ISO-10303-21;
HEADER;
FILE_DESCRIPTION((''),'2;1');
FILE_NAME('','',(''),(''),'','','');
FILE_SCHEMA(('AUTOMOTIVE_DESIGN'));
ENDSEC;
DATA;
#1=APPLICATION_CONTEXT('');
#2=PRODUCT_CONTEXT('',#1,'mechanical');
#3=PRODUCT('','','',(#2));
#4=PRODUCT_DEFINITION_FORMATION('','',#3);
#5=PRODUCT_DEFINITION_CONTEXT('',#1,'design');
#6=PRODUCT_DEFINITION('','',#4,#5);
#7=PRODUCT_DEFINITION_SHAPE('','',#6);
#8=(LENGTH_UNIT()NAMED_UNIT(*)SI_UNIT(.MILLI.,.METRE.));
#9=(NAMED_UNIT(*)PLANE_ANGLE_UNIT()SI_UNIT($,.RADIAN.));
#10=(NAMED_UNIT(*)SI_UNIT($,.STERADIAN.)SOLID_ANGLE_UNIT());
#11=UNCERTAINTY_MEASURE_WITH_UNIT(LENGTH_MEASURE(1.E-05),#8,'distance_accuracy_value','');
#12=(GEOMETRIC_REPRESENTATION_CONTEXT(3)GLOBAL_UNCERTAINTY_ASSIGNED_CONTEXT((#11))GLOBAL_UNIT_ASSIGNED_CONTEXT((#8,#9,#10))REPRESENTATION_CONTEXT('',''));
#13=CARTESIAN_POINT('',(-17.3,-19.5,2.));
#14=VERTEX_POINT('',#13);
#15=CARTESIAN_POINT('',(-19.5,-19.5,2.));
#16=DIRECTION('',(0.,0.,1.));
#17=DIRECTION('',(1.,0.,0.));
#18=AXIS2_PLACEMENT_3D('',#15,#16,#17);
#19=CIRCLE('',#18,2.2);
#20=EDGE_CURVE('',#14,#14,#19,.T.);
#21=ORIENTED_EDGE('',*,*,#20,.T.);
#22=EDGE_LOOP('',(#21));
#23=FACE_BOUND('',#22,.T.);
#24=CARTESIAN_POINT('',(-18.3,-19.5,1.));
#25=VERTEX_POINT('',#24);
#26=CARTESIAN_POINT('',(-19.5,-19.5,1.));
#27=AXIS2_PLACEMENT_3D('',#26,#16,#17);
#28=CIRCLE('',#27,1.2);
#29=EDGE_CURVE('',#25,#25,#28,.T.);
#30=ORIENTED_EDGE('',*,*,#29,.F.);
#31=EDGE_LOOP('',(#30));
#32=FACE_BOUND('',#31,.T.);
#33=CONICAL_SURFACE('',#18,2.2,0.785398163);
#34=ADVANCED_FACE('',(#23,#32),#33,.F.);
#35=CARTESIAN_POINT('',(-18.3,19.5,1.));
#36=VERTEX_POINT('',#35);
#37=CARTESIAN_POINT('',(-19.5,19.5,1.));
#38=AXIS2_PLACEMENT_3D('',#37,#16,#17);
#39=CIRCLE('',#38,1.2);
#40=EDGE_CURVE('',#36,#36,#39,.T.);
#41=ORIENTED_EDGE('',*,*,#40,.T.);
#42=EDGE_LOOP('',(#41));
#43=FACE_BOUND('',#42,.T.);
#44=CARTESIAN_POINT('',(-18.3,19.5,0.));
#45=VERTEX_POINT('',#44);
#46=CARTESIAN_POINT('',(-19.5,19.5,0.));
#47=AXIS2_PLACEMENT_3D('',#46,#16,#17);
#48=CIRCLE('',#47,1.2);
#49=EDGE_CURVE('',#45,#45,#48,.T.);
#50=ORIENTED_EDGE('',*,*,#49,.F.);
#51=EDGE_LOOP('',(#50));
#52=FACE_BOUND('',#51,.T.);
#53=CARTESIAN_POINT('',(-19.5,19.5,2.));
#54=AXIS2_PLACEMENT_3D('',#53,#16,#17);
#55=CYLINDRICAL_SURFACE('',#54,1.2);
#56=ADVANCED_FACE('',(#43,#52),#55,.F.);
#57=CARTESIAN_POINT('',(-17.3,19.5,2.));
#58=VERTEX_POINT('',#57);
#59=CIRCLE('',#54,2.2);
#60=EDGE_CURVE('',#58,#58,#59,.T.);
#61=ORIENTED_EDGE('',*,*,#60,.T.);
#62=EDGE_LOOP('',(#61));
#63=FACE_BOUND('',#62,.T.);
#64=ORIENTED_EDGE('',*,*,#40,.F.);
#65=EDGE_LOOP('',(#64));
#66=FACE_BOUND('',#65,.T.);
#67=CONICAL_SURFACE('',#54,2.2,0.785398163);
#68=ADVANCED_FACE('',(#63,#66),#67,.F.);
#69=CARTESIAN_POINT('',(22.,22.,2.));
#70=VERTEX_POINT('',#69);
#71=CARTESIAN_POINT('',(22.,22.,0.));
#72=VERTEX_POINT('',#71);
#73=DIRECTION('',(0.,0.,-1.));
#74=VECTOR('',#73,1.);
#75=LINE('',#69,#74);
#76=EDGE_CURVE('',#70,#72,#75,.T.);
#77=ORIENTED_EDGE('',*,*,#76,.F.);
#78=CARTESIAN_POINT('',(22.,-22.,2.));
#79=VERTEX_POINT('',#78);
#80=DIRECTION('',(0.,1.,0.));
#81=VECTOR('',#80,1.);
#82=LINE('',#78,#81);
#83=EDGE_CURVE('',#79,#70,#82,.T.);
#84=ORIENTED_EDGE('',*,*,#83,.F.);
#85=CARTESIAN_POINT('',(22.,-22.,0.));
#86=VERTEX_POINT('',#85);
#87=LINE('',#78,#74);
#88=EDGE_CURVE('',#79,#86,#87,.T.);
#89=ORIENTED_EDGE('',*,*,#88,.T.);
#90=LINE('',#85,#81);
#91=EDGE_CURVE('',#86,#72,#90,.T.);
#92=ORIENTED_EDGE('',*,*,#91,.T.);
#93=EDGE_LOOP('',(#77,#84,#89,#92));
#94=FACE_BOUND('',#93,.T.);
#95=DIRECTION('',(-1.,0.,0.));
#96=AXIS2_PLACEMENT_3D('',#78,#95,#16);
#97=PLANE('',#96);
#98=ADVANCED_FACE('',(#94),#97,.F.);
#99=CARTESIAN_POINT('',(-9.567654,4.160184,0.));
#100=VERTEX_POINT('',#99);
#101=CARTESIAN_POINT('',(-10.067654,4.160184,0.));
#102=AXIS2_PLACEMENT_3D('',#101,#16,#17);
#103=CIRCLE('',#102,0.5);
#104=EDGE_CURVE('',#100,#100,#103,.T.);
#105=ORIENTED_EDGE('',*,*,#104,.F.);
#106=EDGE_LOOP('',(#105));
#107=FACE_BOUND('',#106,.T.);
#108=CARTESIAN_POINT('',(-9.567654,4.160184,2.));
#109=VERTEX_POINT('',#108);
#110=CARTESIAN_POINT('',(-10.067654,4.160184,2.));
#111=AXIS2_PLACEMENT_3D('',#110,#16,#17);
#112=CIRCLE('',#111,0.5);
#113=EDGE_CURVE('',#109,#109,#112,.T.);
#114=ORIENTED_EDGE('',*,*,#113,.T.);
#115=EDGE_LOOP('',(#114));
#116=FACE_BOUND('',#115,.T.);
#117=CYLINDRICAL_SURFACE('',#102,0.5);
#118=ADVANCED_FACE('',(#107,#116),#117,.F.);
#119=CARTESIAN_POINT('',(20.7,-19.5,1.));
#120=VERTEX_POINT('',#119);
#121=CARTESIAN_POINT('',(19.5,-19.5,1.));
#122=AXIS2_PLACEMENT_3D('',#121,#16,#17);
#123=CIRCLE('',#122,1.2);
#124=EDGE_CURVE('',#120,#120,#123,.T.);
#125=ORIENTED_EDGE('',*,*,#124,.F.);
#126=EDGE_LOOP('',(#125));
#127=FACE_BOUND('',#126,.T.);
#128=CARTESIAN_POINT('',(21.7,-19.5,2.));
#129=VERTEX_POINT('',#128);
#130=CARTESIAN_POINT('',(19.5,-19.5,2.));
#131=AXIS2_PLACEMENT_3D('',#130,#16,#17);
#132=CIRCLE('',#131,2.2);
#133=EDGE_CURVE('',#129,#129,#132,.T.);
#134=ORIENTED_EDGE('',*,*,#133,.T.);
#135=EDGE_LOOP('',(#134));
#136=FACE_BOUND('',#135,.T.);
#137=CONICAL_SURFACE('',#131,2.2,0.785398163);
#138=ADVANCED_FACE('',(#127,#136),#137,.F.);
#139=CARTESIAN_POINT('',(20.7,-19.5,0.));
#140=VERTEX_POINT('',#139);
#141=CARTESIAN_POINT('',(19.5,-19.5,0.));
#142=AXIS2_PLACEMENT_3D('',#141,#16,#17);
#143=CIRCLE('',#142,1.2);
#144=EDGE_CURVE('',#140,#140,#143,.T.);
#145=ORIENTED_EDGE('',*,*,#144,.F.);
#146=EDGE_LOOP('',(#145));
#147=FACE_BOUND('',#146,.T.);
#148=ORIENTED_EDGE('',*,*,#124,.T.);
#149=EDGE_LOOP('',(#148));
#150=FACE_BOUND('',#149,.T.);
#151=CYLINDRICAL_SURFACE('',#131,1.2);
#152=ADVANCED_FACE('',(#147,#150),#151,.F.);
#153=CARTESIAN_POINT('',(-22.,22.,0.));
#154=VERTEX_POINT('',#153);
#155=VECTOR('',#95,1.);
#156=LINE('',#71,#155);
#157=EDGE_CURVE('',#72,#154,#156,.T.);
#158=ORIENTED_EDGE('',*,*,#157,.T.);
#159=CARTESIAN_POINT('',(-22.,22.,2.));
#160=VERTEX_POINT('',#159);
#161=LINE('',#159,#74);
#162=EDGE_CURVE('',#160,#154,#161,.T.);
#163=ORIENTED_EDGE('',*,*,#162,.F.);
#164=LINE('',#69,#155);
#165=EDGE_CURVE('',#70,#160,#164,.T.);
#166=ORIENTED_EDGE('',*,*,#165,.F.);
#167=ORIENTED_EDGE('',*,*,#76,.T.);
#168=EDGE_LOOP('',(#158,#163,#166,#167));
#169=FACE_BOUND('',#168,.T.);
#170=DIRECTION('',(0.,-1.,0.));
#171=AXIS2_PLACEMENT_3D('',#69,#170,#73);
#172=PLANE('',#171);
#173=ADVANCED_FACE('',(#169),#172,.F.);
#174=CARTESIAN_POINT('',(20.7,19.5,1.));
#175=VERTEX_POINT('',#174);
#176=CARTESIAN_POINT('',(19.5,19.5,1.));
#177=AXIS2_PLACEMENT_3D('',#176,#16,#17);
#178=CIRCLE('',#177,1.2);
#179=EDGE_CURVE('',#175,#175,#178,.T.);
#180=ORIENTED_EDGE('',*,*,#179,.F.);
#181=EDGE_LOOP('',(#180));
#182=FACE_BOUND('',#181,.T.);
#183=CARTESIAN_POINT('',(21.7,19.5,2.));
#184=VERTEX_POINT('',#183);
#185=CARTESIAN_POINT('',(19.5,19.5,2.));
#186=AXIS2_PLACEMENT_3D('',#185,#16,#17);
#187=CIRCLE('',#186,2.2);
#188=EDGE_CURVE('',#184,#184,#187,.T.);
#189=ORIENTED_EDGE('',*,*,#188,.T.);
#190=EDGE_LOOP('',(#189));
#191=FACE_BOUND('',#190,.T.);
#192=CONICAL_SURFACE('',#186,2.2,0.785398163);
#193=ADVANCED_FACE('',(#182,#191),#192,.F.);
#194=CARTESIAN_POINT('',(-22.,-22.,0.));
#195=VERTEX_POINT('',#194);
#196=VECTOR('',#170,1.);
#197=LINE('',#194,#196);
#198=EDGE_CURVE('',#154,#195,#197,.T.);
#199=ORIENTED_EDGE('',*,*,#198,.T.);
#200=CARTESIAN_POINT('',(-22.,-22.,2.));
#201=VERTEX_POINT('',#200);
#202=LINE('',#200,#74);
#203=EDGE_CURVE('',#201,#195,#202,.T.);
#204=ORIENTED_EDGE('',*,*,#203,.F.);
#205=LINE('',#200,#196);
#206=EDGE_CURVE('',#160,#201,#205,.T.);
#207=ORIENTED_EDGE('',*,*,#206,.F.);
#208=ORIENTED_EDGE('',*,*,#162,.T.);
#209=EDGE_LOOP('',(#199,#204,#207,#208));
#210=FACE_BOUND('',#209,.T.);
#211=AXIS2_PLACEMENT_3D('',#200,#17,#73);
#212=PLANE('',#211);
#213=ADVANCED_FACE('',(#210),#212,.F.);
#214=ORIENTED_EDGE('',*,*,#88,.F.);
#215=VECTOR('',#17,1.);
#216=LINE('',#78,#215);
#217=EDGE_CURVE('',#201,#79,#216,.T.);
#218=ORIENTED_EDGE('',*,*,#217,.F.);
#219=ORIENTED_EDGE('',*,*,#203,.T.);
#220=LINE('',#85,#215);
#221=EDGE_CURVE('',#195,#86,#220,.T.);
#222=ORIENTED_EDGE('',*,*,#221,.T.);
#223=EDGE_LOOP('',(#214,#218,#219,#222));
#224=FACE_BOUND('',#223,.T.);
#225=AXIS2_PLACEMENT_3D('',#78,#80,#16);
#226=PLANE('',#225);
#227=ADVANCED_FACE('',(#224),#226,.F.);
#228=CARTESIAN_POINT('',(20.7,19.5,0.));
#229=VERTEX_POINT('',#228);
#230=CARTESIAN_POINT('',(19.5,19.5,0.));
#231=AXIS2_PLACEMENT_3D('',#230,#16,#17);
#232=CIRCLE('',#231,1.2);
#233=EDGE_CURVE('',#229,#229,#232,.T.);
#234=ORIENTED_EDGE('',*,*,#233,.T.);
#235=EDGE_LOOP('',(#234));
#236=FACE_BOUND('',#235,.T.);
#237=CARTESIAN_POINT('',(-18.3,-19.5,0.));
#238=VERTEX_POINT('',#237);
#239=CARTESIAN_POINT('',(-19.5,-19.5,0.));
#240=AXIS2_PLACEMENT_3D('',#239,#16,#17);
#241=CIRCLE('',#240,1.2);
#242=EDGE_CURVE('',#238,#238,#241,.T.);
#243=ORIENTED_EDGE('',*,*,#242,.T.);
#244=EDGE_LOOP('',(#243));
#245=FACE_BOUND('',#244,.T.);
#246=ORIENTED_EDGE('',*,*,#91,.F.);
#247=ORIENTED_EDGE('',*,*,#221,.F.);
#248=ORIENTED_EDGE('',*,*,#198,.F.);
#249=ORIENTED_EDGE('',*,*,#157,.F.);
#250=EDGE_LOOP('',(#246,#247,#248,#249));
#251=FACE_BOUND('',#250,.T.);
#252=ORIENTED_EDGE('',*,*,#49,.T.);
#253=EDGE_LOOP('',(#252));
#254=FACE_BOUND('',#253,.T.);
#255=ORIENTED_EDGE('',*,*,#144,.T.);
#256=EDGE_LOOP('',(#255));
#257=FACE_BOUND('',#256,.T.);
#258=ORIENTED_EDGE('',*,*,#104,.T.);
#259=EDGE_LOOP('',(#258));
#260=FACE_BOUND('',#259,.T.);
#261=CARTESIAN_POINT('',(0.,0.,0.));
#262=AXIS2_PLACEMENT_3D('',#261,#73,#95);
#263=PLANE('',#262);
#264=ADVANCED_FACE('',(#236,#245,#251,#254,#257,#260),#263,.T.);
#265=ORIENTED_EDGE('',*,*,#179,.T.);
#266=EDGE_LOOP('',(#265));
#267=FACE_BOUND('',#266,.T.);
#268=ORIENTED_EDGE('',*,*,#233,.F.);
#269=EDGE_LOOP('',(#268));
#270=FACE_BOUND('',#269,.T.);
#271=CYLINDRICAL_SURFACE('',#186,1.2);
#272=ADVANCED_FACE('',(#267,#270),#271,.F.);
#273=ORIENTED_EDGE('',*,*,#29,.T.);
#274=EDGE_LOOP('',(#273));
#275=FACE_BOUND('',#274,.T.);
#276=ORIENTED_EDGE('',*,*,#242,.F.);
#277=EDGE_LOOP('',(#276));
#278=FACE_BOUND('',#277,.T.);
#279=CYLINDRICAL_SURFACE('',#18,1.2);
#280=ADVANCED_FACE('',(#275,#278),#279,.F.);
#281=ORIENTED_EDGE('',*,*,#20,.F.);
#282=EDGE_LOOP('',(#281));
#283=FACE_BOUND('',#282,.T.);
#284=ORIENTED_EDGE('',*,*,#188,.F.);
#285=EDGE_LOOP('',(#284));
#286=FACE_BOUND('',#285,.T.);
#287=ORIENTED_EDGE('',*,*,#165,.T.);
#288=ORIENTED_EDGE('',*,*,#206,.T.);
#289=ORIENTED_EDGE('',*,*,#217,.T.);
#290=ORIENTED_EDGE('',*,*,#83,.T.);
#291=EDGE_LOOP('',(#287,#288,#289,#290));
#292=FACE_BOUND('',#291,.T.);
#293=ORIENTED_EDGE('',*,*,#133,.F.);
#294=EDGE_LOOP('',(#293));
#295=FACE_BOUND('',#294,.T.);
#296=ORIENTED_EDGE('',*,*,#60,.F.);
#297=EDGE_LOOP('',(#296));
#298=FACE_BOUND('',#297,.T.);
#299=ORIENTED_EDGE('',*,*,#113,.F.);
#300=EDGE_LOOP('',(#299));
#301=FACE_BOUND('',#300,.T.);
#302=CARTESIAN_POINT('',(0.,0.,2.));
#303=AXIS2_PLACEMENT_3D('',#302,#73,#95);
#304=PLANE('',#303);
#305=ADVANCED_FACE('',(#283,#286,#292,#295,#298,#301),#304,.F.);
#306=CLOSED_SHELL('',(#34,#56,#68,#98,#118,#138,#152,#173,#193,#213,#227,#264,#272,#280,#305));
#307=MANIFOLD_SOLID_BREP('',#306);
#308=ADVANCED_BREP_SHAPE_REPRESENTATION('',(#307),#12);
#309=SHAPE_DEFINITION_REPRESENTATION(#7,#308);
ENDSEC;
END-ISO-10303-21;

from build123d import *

# Parameters (mm, degrees)
ESQUISSE3_W                                 = 44
ESQUISSE3_H                                 = 44
BOSS_EXTRU_1_DEPTH                          = 2
SKETCH_HOLES_R                              = 0.5
CUT_EXTRUDE_HOLES_DEPTH                     = 3
FRAISAGE_POUR_VIS_T_TE_FRAIS_E_M21_AT_COUNT = 2
FRAISAGE_POUR_VIS_T_TE_FRAIS_E_M21_AT_PITCH = 39
FRAISAGE_POUR_VIS_T_TE_FRAIS_E_M21_2_COUNT  = 2
FRAISAGE_POUR_VIS_T_TE_FRAIS_E_M21_2_PITCH  = 55.154328933
FRAISAGE_POUR_VIS_T_TE_FRAIS_E_M21_3_COUNT  = 2
FRAISAGE_POUR_VIS_T_TE_FRAIS_E_M21_3_PITCH  = 39


with BuildPart() as part:
    # Esquisse3 → Boss.-Extru.1 (new body)
    with BuildSketch(Plane(origin=(0, 0, 0), x_dir=(0, 1, 0), z_dir=(0, 0, 1))):
        Rectangle(ESQUISSE3_W, ESQUISSE3_H)
    extrude(amount=BOSS_EXTRU_1_DEPTH)

    # Sketch_Holes → Cut_Extrude_Holes (cut, through all)
    with BuildSketch(Plane.XY.offset(2)):
        with Locations((-10.067654011, 4.160184375)):
            Circle(SKETCH_HOLES_R)
    extrude(amount=-CUT_EXTRUDE_HOLES_DEPTH, mode=Mode.SUBTRACT)

    # Esquisse5 → Fraisage pour vis à tête fraisée M21 (revolve, cut)
    with BuildSketch(Plane(origin=(19.5, -19.5, 2), x_dir=(0, -1, 0), z_dir=(1, 0, 0))):
        Polygon((0, 0), (0, 2), (1.2, 2), (1.2, 1), (2.2, 0), align=None)
    fraisage_pour_vis_t_te_frais_e_m21 = revolve(axis=Axis((19.5, -19.5, 8.35), (0, 0, -1)), mode=Mode.SUBTRACT)

    # Fraisage pour vis à tête fraisée M21 at: Fraisage pour vis à tête fraisée M21 ×2
    with Locations(*[(-i * FRAISAGE_POUR_VIS_T_TE_FRAIS_E_M21_AT_PITCH, 0, 0) for i in range(1, FRAISAGE_POUR_VIS_T_TE_FRAIS_E_M21_AT_COUNT)]):
        add(fraisage_pour_vis_t_te_frais_e_m21, mode=Mode.SUBTRACT)

    # Fraisage pour vis _ t_te frais_e M21 2: Fraisage pour vis à tête fraisée M21 ×2
    with Locations(*[Vector(-0.707106781, 0.707106781, 0) * (i * FRAISAGE_POUR_VIS_T_TE_FRAIS_E_M21_2_PITCH) for i in range(1, FRAISAGE_POUR_VIS_T_TE_FRAIS_E_M21_2_COUNT)]):
        add(fraisage_pour_vis_t_te_frais_e_m21, mode=Mode.SUBTRACT)

    # Fraisage pour vis _ t_te frais_e M21 3: Fraisage pour vis à tête fraisée M21 ×2
    with Locations(*[(0, i * FRAISAGE_POUR_VIS_T_TE_FRAIS_E_M21_3_PITCH, 0) for i in range(1, FRAISAGE_POUR_VIS_T_TE_FRAIS_E_M21_3_COUNT)]):
        add(fraisage_pour_vis_t_te_frais_e_m21, mode=Mode.SUBTRACT)


solid = part.part
